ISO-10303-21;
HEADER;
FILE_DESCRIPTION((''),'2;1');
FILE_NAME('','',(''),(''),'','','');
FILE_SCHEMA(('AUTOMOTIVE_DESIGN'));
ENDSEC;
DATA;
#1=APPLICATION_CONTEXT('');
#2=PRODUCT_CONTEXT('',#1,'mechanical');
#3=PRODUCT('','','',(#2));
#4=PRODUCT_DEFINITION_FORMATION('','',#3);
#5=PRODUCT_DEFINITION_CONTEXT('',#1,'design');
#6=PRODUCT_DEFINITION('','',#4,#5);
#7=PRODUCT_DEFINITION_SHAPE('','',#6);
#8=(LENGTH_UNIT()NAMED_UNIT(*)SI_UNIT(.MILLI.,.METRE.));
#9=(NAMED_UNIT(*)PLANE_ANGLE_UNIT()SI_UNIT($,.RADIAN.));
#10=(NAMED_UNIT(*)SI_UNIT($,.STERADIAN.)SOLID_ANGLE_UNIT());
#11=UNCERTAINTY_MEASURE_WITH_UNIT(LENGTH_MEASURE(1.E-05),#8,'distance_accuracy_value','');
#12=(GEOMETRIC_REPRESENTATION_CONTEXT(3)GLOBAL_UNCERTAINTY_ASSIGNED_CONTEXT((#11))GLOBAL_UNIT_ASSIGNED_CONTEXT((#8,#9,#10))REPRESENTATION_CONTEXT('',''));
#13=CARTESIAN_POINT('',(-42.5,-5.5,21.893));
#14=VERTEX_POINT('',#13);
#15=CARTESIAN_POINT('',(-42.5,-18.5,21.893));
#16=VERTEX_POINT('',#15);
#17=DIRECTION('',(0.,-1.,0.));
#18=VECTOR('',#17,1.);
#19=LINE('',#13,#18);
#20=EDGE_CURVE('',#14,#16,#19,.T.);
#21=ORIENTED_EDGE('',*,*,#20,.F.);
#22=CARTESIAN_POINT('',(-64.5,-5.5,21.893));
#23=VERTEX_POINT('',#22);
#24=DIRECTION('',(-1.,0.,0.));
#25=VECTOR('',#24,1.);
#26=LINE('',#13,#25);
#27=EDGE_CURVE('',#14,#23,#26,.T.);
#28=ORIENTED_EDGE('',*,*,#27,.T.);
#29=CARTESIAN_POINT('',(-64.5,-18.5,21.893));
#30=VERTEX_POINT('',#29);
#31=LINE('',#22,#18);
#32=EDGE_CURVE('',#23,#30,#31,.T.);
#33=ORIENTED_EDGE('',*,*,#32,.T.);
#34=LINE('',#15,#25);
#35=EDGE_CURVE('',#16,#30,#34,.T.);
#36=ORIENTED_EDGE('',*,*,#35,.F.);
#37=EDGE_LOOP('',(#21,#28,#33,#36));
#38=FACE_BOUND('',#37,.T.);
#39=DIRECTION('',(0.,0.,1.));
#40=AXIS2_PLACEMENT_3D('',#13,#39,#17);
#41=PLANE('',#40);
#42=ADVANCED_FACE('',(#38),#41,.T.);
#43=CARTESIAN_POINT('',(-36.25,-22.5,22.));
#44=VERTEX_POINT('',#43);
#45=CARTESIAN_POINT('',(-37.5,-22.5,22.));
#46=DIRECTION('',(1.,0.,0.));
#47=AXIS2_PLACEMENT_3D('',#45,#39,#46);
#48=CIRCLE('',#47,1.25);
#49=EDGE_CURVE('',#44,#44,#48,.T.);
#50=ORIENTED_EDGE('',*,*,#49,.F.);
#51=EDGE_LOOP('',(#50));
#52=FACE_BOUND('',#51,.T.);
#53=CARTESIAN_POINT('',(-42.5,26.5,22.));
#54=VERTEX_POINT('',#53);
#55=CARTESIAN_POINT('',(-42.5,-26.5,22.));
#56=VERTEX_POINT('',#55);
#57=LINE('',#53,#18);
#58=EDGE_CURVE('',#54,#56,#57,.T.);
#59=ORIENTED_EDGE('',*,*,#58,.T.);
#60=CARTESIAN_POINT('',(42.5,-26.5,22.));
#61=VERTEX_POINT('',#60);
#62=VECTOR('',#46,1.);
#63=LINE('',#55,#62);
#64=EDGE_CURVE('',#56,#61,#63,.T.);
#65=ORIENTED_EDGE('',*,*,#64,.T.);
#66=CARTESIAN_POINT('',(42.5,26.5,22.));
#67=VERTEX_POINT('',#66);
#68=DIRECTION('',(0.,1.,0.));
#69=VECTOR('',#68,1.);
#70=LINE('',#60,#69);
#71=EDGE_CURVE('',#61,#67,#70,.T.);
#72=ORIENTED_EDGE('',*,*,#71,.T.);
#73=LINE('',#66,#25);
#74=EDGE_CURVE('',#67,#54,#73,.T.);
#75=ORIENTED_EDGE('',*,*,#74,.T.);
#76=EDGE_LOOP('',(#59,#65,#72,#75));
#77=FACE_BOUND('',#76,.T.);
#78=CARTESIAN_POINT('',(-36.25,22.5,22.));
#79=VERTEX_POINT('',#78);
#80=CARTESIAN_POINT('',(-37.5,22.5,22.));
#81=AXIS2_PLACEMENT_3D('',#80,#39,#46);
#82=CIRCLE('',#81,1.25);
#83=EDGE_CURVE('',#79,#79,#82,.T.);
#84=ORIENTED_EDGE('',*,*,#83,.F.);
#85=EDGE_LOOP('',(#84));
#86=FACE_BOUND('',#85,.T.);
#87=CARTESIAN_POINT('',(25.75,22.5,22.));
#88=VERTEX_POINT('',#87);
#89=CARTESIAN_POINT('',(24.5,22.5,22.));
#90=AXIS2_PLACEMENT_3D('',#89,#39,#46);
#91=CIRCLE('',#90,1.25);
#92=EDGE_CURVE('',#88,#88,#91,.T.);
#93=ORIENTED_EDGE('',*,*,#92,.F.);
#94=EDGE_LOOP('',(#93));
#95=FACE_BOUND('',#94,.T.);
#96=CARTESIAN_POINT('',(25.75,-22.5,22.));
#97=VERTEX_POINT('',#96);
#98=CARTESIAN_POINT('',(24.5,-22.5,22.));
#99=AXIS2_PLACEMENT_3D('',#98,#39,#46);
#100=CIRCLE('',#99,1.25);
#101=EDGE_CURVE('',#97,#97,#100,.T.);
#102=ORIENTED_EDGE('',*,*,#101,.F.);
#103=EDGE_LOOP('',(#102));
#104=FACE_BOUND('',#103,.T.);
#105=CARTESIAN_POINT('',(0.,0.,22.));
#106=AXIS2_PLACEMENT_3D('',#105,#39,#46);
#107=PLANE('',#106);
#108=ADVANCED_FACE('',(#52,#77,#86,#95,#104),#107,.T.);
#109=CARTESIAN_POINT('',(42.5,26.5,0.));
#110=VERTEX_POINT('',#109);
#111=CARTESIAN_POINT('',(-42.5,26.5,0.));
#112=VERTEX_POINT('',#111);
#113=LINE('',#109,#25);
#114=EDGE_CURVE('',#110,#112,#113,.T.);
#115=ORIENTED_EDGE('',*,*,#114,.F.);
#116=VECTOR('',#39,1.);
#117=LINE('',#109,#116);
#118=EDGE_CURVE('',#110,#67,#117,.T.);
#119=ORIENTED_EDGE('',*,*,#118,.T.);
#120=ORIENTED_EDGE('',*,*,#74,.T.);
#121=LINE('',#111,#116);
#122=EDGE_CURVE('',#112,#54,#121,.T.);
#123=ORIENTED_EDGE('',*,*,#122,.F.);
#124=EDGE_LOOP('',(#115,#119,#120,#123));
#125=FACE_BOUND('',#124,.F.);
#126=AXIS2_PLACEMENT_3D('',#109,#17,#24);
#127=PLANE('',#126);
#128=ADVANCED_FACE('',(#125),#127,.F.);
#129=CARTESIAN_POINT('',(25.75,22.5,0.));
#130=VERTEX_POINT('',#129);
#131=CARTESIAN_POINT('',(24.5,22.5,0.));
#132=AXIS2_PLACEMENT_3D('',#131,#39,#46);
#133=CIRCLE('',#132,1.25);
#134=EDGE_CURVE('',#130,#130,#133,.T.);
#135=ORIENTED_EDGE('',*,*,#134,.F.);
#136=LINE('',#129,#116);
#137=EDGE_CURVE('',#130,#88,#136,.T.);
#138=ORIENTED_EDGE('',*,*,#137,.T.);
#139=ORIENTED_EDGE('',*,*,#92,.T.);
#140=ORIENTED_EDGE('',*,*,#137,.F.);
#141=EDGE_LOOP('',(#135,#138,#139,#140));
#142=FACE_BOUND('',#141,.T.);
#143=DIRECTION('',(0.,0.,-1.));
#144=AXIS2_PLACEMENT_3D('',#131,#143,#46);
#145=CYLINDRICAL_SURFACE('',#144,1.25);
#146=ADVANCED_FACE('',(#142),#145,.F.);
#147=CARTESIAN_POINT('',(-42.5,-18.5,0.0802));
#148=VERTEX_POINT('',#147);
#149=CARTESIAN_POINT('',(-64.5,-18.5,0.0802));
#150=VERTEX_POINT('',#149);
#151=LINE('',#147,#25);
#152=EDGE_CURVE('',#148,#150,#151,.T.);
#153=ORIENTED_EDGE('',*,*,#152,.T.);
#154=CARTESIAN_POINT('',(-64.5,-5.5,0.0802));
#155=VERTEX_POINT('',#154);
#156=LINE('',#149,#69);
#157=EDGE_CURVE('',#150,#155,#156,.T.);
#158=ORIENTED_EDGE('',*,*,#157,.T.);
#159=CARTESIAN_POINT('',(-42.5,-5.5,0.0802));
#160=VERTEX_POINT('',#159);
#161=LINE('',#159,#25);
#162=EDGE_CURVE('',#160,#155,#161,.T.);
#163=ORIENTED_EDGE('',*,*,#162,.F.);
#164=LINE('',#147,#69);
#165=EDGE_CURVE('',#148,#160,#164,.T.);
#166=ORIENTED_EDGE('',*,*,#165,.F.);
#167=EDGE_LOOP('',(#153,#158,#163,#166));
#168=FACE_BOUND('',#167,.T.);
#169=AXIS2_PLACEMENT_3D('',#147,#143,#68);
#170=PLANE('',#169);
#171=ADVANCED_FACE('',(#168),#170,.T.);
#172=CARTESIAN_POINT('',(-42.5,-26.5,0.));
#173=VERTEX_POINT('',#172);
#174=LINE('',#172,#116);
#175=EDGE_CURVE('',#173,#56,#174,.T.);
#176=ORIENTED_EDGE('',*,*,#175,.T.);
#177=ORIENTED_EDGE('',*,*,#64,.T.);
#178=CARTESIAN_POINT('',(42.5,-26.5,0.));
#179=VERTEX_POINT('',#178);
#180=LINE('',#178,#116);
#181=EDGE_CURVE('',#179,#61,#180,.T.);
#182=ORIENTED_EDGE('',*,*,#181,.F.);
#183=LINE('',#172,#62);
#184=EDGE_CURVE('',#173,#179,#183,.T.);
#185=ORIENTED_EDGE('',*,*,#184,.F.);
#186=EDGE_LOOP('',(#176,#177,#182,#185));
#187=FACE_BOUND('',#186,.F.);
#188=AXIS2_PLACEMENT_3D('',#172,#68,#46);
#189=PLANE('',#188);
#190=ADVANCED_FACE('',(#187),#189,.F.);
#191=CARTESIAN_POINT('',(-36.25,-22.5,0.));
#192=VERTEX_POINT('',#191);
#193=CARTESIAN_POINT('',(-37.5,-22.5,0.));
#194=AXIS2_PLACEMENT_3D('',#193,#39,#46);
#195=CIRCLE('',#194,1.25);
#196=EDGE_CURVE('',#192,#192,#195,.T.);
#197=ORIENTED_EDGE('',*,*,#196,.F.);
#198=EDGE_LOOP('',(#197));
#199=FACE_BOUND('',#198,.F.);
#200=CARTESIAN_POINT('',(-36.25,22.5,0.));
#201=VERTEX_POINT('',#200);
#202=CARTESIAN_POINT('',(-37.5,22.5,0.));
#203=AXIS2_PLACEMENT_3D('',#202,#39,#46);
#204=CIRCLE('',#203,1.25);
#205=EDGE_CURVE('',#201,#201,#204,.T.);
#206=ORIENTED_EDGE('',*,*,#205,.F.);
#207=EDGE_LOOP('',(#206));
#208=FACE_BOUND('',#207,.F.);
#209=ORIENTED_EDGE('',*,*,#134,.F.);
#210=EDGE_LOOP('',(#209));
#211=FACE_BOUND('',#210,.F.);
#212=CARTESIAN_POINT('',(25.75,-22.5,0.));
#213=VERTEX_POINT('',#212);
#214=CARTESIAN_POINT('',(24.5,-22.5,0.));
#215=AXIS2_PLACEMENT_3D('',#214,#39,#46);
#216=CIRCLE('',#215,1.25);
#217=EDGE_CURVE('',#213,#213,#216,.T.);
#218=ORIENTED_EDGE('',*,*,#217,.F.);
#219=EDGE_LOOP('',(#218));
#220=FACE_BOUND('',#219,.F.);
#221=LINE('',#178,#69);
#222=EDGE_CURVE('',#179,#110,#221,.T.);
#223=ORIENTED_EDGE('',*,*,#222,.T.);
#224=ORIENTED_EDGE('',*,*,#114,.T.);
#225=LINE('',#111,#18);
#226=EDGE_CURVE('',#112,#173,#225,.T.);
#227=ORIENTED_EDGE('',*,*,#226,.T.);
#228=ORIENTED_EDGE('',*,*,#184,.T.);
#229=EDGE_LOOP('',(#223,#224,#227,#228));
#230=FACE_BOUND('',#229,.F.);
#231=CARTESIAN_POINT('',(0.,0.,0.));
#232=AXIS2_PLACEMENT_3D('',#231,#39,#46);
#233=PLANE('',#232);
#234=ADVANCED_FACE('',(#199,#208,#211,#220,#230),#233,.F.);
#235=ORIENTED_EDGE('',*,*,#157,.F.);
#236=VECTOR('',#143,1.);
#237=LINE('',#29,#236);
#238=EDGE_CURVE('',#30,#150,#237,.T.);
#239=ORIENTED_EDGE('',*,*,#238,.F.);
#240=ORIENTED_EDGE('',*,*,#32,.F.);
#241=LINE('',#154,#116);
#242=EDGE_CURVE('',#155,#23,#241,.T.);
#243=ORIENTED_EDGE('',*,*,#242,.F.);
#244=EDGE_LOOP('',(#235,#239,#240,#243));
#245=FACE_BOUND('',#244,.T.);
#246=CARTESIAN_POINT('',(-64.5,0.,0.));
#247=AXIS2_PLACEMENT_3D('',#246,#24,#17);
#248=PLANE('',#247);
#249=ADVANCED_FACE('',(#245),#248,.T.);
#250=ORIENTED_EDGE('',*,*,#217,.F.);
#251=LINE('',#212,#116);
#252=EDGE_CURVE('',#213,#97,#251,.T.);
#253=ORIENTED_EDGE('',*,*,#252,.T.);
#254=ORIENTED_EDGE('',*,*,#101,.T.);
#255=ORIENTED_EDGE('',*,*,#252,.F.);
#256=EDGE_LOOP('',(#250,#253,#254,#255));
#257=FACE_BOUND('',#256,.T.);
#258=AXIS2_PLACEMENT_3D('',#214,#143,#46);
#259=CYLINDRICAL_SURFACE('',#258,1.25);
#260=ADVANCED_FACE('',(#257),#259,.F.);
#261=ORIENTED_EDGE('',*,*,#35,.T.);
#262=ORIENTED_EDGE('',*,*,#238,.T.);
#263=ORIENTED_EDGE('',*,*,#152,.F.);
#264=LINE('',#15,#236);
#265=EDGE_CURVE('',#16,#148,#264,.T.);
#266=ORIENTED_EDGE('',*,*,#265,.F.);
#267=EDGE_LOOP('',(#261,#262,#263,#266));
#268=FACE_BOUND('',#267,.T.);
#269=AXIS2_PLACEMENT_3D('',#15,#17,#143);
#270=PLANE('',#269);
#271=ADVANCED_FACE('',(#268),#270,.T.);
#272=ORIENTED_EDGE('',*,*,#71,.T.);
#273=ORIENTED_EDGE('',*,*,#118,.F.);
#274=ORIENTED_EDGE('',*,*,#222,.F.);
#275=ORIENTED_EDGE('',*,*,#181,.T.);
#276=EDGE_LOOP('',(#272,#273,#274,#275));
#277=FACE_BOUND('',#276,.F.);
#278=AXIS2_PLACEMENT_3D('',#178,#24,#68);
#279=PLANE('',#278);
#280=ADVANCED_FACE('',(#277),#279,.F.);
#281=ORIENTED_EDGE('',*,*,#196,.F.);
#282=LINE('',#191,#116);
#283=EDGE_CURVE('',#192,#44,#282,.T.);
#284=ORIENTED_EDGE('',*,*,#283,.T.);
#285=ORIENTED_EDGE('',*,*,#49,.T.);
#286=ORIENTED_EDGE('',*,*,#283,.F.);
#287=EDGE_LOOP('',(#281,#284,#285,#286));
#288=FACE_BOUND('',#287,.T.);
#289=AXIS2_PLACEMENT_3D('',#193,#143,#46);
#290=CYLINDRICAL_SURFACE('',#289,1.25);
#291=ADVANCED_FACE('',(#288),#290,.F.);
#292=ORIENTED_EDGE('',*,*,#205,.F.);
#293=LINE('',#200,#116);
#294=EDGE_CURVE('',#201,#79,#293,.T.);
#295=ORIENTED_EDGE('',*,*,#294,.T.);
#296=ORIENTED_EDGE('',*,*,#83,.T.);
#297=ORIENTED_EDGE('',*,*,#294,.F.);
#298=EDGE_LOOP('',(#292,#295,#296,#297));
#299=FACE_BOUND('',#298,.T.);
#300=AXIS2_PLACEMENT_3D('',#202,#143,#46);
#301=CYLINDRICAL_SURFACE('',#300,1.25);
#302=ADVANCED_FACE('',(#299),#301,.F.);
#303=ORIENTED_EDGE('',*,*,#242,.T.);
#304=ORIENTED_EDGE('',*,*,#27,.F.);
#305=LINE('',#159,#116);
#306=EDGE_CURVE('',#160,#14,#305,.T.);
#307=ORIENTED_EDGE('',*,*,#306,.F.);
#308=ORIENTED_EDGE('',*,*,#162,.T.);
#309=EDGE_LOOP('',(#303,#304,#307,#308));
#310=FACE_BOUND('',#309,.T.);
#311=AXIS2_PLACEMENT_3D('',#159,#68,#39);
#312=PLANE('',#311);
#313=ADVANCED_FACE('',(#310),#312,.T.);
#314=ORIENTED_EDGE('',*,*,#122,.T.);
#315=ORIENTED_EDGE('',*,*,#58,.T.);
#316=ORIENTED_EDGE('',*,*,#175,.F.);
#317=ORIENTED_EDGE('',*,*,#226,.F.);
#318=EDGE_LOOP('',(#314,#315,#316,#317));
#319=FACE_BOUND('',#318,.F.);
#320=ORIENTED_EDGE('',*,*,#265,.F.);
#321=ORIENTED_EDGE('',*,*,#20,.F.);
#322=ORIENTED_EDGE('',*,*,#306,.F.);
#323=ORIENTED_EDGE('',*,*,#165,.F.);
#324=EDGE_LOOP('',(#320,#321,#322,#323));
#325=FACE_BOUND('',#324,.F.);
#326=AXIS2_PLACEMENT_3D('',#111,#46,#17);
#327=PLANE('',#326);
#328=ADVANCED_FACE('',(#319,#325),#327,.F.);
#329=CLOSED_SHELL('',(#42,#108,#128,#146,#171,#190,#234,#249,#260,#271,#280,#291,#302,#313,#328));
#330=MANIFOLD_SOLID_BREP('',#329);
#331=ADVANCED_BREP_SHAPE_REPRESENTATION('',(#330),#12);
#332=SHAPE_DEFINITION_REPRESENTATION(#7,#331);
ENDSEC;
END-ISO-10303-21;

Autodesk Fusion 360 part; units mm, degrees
sketch "Esquisse5" plane through (0, 0, 0) normal (0, 0, 1) x (1, 0, 0)
  line L0 (42.5, 26.5) -> (-42.5, 26.5)
  line L1 (-42.5, 26.5) -> (-42.5, -26.5)
  line L2 (-42.5, -26.5) -> (42.5, -26.5)
  line L3 (42.5, -26.5) -> (42.5, 26.5)
  circle A0 centre (-37.5, 22.5) radius 1.25
  circle A1 centre (24.5, 22.5) radius 1.25
  circle A2 centre (-37.5, -22.5) radius 1.25
  circle A3 centre (24.5, -22.5) radius 1.25
  dimension "d39" = 85
  dimension "d40" = 53
  dimension "d41" = 2.5
  dimension "d42" = 2.5
  dimension "d43" = 2.5
  dimension "d44" = 2.5
  dimension "d45" = 5
  dimension "d46" = 62
  dimension "d47" = 4
  dimension "d48" = 4
  dimension "d49" = 4
  dimension "d50" = 4
  dimension "d51" = 62
  dimension "d52" = 5
extrude "Extrusion10" add sketch "Esquisse5" along normal blind 22
sketch "Esquisse6" plane through (-42.5, 0, 0) normal (-1, 0, 0) x (0, -1, 0)
  line L0 (-26.5, 0) -> (26.5, 0)
  line L1 (26.5, 0) -> (26.5, 22)
  line L2 (26.5, 22) -> (-26.5, 22)
  line L3 (-26.5, 22) -> (-26.5, 0)
  line L4 (5.5, 21.893) -> (18.5, 21.893)
  line L5 (18.5, 21.893) -> (18.5, 0.0802)
  line L6 (18.5, 0.0802) -> (5.5, 0.0802)
  line L7 (5.5, 0.0802) -> (5.5, 21.893)
  dimension "d55" = 32
  dimension "d56" = 45
extrude "Extrusion11" add sketch "Esquisse6" along normal blind 22 contours L4 L5 L6 L7
